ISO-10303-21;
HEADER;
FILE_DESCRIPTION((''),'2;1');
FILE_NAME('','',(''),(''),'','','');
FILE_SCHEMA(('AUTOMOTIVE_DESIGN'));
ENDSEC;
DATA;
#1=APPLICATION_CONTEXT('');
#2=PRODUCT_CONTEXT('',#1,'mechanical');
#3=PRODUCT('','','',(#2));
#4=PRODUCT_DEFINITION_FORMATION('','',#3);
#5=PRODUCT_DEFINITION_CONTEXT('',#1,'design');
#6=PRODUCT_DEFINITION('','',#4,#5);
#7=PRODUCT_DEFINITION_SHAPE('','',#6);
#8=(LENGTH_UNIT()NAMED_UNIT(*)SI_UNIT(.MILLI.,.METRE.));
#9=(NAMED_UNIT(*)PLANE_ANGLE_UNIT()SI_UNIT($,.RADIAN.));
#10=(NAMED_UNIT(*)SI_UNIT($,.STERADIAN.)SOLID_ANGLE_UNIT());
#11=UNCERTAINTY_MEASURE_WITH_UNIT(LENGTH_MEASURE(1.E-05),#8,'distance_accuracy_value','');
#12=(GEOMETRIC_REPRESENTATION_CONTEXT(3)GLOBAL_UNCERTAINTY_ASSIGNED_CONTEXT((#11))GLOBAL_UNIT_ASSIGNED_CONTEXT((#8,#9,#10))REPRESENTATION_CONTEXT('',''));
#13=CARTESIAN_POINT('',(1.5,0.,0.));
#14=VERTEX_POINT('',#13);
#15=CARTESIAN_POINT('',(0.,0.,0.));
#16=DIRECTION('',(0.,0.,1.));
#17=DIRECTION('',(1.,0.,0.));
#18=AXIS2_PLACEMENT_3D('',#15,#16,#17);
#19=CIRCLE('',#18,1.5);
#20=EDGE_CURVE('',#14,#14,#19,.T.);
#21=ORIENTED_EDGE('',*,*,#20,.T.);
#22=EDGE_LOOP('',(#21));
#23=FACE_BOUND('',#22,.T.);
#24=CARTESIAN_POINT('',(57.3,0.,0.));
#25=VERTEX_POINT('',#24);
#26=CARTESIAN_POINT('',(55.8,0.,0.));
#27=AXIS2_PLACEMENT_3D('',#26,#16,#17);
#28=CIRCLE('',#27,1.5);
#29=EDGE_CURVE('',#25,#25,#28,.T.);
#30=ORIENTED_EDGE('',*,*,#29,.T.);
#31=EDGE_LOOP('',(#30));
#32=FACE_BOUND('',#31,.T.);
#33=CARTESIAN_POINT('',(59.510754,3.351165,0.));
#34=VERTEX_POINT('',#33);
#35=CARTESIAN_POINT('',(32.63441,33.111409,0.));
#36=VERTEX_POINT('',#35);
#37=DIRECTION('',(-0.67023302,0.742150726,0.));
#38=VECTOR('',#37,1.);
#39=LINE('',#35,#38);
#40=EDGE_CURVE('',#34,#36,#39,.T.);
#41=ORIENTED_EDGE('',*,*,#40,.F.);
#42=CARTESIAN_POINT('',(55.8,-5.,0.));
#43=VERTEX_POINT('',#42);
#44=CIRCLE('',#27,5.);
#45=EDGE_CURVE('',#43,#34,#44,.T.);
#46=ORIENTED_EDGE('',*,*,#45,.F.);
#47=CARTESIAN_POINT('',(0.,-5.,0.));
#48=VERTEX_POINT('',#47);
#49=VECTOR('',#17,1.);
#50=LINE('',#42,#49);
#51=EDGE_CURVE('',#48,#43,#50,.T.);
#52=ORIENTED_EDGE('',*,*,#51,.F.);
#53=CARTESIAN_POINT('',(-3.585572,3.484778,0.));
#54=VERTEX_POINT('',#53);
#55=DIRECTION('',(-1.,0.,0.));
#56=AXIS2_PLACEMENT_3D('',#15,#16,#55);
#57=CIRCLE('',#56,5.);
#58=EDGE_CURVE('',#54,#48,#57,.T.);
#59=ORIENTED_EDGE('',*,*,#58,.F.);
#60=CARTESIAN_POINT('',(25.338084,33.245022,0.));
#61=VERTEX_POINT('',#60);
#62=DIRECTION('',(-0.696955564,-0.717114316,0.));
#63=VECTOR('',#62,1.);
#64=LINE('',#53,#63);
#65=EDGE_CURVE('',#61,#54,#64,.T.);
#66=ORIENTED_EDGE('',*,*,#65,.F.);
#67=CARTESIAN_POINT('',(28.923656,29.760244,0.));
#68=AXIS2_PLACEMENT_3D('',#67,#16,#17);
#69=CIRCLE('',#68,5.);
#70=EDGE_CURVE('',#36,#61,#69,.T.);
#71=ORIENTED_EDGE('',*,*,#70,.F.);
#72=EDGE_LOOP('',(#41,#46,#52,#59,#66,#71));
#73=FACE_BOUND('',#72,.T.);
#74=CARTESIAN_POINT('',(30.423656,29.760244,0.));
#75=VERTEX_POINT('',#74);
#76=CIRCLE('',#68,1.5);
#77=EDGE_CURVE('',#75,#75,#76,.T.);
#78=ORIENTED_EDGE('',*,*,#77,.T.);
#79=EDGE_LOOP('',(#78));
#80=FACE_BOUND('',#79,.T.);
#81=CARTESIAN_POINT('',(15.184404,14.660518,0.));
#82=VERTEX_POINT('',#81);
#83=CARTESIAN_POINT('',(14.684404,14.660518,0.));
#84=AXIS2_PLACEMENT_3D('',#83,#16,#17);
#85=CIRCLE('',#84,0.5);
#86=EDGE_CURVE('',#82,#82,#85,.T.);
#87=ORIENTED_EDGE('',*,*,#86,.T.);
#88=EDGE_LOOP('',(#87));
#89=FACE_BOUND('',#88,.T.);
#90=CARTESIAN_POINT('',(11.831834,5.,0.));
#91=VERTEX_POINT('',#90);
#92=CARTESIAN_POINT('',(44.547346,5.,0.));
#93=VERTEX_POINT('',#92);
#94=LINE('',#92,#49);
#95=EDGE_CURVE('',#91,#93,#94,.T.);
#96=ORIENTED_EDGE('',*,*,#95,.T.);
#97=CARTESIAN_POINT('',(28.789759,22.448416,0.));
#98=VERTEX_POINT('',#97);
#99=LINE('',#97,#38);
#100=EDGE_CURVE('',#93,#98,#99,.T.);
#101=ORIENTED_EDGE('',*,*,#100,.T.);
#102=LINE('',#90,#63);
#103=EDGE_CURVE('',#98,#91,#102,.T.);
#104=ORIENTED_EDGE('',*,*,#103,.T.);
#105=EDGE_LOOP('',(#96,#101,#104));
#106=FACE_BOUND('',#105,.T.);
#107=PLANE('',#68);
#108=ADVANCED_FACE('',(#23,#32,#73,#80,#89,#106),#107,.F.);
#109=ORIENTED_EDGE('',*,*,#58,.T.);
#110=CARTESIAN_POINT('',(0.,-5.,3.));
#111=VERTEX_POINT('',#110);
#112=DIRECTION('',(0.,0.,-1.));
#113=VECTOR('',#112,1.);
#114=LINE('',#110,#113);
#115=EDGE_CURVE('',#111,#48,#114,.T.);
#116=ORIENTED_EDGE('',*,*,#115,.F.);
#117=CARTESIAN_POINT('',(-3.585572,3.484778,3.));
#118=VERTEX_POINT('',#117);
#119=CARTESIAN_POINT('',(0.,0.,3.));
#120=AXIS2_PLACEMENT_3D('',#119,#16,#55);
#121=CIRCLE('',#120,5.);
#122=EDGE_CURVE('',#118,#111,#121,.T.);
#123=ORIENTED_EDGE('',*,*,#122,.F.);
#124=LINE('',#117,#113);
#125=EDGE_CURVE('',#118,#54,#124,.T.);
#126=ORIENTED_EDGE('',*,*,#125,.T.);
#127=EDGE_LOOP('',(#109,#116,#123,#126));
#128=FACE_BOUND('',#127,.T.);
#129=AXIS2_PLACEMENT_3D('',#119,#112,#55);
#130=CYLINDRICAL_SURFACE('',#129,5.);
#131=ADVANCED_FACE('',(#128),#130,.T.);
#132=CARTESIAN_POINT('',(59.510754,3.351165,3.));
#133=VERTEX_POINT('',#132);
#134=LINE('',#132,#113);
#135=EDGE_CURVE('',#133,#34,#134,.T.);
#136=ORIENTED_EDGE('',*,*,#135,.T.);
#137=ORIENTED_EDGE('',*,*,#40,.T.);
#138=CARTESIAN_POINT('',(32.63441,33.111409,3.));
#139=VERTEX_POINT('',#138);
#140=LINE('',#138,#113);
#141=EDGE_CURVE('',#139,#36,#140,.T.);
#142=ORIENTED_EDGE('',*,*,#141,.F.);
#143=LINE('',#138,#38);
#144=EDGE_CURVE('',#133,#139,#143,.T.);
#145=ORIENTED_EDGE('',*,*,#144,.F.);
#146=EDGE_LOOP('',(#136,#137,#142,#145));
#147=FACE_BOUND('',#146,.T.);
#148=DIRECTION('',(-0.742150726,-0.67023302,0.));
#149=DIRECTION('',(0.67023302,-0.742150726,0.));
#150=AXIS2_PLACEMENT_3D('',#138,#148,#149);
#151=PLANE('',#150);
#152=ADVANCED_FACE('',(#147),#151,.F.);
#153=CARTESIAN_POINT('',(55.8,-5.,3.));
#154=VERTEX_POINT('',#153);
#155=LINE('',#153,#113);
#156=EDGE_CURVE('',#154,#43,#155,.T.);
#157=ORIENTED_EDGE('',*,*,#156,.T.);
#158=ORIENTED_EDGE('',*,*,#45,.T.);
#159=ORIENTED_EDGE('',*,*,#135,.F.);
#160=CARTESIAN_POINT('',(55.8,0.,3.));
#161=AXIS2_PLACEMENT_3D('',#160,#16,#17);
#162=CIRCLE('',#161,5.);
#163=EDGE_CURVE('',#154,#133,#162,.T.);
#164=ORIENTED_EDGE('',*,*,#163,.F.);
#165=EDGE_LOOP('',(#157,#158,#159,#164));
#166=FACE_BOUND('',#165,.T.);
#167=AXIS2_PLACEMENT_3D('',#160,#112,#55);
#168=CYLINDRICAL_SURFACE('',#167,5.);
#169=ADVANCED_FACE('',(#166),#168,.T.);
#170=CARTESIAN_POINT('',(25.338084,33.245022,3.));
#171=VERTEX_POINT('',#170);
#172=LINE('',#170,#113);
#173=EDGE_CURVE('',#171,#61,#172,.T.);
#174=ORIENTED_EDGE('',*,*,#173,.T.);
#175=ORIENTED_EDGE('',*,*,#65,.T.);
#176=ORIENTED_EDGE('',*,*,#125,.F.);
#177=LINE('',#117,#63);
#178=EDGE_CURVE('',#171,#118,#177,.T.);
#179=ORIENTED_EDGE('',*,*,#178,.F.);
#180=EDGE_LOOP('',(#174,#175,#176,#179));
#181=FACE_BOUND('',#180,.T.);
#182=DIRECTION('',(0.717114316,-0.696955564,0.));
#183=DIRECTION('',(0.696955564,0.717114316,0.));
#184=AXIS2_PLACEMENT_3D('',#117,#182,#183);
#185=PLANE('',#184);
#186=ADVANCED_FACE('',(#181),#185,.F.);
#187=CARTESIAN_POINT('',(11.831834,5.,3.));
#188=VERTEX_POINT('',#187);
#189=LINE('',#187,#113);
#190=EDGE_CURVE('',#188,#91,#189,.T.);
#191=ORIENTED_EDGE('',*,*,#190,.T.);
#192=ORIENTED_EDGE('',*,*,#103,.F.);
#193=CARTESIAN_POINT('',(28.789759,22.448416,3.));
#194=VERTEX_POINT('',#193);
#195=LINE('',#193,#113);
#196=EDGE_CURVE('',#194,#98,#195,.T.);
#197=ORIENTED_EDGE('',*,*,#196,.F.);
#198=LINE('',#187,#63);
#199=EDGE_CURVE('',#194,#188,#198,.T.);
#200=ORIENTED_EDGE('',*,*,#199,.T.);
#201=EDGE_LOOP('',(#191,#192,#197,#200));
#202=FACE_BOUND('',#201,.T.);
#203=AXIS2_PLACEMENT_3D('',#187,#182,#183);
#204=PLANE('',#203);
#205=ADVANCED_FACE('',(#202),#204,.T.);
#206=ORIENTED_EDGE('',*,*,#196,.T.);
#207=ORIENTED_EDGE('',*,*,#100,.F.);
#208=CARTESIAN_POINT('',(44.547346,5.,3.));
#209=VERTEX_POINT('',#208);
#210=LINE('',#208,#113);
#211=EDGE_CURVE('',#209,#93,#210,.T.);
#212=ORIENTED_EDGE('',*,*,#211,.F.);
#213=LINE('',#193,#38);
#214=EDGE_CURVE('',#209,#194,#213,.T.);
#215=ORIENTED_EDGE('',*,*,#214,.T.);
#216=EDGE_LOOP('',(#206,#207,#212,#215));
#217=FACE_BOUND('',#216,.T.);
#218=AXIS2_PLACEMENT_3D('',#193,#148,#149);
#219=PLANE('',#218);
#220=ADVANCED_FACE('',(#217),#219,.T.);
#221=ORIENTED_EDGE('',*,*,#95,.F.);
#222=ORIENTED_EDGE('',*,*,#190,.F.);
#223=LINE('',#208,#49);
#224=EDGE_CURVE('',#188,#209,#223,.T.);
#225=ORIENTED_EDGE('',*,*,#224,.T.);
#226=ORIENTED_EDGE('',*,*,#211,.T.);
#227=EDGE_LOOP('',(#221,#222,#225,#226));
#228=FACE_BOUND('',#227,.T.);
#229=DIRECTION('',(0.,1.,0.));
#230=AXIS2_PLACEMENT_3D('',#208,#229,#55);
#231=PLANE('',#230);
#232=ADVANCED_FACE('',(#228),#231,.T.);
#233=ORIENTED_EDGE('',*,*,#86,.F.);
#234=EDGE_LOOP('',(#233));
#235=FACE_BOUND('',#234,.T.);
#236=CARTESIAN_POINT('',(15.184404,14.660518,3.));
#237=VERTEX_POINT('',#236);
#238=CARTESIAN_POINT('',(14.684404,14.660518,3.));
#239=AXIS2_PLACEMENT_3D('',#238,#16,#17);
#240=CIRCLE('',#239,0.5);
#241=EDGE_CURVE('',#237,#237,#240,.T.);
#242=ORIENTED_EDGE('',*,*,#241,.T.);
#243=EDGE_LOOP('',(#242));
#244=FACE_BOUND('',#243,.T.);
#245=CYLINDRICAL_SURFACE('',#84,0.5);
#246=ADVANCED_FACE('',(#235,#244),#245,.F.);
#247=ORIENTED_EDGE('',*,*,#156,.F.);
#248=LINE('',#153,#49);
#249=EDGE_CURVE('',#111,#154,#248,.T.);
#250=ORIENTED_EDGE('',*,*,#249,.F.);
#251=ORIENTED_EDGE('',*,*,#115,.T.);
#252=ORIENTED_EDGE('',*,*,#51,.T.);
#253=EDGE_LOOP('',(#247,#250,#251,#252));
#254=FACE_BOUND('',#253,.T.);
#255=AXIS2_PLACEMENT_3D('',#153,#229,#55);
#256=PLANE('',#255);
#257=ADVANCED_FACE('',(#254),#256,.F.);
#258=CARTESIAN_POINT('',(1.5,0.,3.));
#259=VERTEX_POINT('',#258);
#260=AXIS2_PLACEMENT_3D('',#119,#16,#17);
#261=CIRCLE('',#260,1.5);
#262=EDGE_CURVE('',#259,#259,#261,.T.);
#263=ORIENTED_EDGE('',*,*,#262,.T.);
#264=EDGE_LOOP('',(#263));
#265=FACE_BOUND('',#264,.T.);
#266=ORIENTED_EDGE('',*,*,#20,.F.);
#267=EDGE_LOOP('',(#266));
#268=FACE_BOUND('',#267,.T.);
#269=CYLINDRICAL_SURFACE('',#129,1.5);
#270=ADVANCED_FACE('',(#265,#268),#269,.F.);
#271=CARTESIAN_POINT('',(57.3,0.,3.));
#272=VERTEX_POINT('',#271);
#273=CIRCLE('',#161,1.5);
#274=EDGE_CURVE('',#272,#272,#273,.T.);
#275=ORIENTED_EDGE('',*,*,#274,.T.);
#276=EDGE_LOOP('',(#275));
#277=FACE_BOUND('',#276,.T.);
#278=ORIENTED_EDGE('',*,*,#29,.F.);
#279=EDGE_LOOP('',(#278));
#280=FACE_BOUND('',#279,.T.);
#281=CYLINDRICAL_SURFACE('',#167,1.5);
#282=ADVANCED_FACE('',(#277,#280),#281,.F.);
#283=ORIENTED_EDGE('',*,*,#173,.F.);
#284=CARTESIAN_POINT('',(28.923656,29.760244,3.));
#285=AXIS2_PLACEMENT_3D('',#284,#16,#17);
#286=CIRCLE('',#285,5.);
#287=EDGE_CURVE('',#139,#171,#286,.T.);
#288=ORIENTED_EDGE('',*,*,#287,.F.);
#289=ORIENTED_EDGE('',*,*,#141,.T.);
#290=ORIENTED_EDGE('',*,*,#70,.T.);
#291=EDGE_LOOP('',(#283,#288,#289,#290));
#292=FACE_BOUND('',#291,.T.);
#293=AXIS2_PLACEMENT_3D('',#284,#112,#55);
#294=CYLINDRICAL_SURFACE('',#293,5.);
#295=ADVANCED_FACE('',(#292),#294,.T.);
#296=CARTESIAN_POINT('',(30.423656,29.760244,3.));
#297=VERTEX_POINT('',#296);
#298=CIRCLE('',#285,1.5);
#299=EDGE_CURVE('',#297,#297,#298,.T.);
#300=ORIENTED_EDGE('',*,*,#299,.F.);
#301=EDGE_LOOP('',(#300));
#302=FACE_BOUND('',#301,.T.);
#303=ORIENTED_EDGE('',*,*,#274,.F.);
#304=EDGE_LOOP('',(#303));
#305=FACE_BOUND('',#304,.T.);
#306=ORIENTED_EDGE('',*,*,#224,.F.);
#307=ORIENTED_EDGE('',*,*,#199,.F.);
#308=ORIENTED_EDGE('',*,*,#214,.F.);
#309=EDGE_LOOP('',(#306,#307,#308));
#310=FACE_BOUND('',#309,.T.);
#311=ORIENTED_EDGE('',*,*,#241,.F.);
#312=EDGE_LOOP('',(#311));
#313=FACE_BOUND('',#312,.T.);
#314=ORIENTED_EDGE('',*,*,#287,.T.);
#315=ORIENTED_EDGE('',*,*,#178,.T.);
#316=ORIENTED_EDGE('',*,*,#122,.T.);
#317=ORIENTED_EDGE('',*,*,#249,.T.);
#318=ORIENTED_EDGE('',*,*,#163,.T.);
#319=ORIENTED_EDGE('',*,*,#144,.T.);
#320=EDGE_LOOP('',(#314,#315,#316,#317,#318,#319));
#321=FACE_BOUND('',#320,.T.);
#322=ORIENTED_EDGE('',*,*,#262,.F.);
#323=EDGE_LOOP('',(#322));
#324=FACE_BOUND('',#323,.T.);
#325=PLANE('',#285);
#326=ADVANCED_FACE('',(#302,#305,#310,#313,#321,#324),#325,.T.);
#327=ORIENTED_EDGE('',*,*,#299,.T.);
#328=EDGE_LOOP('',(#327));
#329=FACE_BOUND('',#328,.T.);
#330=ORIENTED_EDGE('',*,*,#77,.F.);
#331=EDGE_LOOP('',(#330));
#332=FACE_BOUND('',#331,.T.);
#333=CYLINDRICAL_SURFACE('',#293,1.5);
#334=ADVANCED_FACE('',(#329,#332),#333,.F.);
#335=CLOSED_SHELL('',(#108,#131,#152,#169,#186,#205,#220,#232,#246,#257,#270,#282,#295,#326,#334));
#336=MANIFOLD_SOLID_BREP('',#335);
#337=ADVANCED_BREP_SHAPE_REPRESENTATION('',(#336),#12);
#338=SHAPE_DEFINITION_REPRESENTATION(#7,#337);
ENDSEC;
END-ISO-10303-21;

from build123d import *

# Parameters (mm, degrees)
SKETCH1_R           = 1.5
BOSS_EXTRUDE1_DEPTH = 3
SKETCH2_R           = 0.5
CUT_EXTRUDE1_DEPTH  = 71.099319323


with BuildPart() as part:
    # Sketch1 → Boss-Extrude1 (new body)
    with BuildSketch(Plane.XY):
        with BuildLine():
            Line((-3.585571578, 3.484777821), (25.338084336, 33.245021916))
            ThreePointArc((25.338084336, 33.245021916), (29.015202221, 34.759405952), (32.634409542, 33.111409193))
            Line((32.634409542, 33.111409193), (59.510753628, 3.351165098))
            ThreePointArc((59.510753628, 3.351165098), (60.369235466, -2.030292406), (55.8, -5))
            Line((55.8, -5), (0, -5))
            ThreePointArc((0, -5), (-4.605642686, -1.946292745), (-3.585571578, 3.484777821))
        make_face()
        with Locations((28.923655914, 29.760244095)):
            Circle(SKETCH1_R, mode=Mode.SUBTRACT)
        Circle(SKETCH1_R, mode=Mode.SUBTRACT)
        with Locations((55.8, 0)):
            Circle(SKETCH1_R, mode=Mode.SUBTRACT)
        Polygon((11.831834391, 5), (28.7897593, 22.448416138), (44.547346313, 5), align=None, mode=Mode.SUBTRACT)
    extrude(amount=BOSS_EXTRUDE1_DEPTH)

    # Sketch2 → Cut-Extrude1 (cut, through all)
    with BuildSketch(Plane.XY.offset(3)):
        with Locations((14.684404162, 14.660517535)):
            Circle(SKETCH2_R)
    extrude(amount=-CUT_EXTRUDE1_DEPTH, mode=Mode.SUBTRACT)


solid = part.part
